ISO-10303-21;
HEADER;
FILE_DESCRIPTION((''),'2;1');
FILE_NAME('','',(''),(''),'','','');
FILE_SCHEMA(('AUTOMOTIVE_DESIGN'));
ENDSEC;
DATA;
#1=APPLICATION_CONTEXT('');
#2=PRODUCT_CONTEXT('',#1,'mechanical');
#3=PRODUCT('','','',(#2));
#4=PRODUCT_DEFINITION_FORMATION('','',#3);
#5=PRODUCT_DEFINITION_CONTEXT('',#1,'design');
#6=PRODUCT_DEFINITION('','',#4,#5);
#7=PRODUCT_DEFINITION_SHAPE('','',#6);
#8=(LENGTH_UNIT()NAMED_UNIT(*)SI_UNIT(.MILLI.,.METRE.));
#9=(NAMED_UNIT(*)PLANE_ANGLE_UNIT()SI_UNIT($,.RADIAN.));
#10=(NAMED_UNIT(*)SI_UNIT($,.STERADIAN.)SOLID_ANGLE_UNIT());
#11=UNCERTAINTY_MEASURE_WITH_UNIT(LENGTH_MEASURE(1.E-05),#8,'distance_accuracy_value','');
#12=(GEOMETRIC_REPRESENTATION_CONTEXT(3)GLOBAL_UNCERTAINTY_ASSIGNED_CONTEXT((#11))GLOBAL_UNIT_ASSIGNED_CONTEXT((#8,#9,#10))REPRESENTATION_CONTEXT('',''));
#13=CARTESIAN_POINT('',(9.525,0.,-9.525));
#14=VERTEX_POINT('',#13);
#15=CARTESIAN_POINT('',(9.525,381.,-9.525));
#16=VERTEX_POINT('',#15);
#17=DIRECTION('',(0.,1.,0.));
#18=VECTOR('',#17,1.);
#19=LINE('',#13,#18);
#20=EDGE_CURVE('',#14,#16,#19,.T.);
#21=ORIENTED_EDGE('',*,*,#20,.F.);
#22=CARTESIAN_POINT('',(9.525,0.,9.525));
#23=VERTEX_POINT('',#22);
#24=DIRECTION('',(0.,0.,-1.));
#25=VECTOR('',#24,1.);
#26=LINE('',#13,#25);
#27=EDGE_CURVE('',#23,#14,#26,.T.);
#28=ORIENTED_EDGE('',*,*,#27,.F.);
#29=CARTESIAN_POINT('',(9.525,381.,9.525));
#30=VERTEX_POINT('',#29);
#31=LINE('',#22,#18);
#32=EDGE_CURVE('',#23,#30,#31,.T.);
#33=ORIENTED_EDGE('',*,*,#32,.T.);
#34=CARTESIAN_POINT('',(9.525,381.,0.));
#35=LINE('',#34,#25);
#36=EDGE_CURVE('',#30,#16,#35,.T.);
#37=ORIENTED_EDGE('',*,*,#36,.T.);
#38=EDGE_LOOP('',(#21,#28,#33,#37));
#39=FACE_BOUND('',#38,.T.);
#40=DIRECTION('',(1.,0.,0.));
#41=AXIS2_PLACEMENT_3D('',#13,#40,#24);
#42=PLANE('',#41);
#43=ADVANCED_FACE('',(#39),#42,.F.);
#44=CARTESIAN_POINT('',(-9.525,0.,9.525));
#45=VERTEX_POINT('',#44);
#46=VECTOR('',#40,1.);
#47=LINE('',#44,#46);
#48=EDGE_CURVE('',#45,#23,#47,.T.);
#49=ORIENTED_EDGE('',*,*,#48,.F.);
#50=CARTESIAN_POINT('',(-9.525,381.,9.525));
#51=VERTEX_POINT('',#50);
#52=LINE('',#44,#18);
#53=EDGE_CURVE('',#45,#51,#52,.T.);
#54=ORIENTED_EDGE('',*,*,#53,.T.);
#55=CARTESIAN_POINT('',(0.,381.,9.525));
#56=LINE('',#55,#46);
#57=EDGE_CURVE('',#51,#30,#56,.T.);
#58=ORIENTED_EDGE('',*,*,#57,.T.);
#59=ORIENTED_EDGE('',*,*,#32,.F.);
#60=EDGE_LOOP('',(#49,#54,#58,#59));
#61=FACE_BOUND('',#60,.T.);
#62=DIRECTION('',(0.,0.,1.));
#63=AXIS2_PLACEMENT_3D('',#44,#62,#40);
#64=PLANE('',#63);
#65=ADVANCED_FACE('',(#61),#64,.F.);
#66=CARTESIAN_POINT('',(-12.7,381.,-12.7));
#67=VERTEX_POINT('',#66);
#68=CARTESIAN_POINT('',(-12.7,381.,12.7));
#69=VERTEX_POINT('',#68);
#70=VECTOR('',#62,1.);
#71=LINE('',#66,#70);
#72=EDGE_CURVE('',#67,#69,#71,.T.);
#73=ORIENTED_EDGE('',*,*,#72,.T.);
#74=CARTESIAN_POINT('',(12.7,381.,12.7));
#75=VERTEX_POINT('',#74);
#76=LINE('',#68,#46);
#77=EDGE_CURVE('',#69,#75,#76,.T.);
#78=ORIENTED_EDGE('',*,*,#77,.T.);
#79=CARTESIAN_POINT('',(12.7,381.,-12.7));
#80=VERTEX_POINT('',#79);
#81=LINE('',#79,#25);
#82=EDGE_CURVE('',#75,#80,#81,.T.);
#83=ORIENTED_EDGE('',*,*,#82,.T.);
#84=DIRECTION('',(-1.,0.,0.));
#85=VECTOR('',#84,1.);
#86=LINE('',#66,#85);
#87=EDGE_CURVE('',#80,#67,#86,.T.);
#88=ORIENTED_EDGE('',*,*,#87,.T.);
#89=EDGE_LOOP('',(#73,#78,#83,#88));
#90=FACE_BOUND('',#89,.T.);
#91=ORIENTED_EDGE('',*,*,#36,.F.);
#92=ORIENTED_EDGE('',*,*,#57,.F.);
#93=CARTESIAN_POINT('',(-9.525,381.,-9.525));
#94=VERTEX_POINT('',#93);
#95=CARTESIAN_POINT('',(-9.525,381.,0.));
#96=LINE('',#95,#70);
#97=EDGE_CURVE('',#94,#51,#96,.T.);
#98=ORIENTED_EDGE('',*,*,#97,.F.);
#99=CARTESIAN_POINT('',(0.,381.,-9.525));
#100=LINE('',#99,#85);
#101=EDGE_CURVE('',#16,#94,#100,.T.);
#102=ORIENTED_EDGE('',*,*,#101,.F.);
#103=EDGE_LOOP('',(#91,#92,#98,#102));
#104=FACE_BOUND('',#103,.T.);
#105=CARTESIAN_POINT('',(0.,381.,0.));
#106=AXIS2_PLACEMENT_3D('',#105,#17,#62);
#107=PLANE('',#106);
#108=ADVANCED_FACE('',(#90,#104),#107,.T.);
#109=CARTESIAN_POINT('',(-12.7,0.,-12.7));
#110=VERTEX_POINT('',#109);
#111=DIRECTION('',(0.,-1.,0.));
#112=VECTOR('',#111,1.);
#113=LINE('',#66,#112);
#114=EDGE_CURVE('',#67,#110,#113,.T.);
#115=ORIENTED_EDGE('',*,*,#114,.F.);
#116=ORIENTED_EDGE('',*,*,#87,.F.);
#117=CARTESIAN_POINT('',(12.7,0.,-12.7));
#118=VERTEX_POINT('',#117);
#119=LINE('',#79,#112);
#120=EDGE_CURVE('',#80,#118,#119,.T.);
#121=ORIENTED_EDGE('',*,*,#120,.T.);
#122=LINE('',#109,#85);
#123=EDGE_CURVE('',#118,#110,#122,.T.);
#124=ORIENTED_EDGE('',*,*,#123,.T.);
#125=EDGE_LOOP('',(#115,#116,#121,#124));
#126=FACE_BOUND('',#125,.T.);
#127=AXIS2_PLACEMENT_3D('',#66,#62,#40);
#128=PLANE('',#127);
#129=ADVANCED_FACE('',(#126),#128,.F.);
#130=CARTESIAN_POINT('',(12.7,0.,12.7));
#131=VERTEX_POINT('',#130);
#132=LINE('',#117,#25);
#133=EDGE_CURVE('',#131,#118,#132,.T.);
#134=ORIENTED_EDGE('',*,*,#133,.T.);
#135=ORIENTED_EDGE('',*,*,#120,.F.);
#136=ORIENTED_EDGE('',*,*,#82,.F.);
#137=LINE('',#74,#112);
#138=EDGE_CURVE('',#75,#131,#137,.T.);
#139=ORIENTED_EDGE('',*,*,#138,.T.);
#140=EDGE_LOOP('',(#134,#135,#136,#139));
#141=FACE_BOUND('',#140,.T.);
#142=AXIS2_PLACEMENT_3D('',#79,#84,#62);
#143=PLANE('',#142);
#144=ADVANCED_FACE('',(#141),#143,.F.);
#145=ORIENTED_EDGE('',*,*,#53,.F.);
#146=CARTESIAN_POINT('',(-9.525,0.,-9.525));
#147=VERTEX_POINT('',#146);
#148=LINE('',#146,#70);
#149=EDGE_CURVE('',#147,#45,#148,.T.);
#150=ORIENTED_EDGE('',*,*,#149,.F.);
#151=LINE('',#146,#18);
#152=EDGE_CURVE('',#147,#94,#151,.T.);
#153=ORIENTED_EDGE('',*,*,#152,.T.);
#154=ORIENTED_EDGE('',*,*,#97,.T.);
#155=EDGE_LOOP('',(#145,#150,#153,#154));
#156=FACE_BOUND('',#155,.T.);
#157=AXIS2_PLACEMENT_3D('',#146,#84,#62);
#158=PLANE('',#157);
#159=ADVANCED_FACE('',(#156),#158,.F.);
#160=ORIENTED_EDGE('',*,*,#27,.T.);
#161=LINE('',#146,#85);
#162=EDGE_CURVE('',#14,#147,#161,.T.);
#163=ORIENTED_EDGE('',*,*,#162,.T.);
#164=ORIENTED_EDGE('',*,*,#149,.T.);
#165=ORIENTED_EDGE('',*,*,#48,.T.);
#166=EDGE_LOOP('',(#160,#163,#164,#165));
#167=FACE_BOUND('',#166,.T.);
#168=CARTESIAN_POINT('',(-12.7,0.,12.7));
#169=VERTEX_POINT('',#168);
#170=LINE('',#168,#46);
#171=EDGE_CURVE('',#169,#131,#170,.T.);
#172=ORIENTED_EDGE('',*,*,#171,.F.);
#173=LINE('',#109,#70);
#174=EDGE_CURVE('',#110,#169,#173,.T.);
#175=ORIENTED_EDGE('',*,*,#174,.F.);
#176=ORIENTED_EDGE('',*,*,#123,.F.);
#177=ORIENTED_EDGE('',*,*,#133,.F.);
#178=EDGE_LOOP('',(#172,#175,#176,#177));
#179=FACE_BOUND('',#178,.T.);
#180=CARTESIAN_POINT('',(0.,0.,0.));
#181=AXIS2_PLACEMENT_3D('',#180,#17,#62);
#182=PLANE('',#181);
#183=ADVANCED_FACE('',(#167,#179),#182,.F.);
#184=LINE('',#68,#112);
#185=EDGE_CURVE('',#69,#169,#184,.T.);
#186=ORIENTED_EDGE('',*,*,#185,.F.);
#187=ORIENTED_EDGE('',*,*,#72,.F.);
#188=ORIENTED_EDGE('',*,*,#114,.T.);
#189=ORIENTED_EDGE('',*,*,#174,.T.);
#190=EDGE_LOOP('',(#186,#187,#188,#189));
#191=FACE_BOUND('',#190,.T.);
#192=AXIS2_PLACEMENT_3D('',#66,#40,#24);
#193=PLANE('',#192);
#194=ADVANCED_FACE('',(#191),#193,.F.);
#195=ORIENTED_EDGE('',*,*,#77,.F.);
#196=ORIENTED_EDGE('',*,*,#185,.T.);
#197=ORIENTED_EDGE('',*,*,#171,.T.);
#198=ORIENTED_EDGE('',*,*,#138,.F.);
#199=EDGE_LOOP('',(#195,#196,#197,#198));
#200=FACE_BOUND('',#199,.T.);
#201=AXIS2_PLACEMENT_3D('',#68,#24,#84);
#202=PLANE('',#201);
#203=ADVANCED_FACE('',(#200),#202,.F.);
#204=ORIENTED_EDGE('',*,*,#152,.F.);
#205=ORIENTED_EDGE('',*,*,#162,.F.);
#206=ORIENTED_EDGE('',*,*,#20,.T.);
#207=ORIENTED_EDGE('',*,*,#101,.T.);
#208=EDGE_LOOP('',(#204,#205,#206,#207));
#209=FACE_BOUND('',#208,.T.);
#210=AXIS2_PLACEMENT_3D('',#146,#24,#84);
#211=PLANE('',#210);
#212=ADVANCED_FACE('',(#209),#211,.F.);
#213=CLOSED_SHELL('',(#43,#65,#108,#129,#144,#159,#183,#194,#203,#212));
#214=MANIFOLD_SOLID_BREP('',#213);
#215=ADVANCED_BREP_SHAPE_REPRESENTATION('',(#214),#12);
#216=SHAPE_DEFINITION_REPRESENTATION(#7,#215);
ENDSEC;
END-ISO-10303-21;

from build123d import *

# Parameters (mm, degrees)
SKETCH1_W               = 25.4
SKETCH1_H               = 25.4
BOSS_EXTRUDE1_DEPTH     = 381
SKETCH2_W               = 19.05
SKETCH2_H               = 19.05
CUT_EXTRUDE1_DEPTH      = 1
CUT_EXTRUDE1_DEPTH_BACK = 382


with BuildPart() as part:
    # Sketch1 → Boss-Extrude1 (new body)
    with BuildSketch(Plane(origin=(0, 0, 0), x_dir=(1, 0, 0), z_dir=(0, 1, 0))):
        Rectangle(SKETCH1_W, SKETCH1_H)
    extrude(amount=BOSS_EXTRUDE1_DEPTH)

    # Sketch2 → Cut-Extrude1 (cut, two sides)
    with BuildSketch(Plane(origin=(0, 381, 0), x_dir=(1, 0, 0), z_dir=(0, 1, 0))) as cut_extrude1_sk:
        Rectangle(SKETCH2_W, SKETCH2_H)
    extrude(amount=CUT_EXTRUDE1_DEPTH, mode=Mode.SUBTRACT)
    extrude(cut_extrude1_sk.sketch, amount=-CUT_EXTRUDE1_DEPTH_BACK, mode=Mode.SUBTRACT)


solid = part.part
